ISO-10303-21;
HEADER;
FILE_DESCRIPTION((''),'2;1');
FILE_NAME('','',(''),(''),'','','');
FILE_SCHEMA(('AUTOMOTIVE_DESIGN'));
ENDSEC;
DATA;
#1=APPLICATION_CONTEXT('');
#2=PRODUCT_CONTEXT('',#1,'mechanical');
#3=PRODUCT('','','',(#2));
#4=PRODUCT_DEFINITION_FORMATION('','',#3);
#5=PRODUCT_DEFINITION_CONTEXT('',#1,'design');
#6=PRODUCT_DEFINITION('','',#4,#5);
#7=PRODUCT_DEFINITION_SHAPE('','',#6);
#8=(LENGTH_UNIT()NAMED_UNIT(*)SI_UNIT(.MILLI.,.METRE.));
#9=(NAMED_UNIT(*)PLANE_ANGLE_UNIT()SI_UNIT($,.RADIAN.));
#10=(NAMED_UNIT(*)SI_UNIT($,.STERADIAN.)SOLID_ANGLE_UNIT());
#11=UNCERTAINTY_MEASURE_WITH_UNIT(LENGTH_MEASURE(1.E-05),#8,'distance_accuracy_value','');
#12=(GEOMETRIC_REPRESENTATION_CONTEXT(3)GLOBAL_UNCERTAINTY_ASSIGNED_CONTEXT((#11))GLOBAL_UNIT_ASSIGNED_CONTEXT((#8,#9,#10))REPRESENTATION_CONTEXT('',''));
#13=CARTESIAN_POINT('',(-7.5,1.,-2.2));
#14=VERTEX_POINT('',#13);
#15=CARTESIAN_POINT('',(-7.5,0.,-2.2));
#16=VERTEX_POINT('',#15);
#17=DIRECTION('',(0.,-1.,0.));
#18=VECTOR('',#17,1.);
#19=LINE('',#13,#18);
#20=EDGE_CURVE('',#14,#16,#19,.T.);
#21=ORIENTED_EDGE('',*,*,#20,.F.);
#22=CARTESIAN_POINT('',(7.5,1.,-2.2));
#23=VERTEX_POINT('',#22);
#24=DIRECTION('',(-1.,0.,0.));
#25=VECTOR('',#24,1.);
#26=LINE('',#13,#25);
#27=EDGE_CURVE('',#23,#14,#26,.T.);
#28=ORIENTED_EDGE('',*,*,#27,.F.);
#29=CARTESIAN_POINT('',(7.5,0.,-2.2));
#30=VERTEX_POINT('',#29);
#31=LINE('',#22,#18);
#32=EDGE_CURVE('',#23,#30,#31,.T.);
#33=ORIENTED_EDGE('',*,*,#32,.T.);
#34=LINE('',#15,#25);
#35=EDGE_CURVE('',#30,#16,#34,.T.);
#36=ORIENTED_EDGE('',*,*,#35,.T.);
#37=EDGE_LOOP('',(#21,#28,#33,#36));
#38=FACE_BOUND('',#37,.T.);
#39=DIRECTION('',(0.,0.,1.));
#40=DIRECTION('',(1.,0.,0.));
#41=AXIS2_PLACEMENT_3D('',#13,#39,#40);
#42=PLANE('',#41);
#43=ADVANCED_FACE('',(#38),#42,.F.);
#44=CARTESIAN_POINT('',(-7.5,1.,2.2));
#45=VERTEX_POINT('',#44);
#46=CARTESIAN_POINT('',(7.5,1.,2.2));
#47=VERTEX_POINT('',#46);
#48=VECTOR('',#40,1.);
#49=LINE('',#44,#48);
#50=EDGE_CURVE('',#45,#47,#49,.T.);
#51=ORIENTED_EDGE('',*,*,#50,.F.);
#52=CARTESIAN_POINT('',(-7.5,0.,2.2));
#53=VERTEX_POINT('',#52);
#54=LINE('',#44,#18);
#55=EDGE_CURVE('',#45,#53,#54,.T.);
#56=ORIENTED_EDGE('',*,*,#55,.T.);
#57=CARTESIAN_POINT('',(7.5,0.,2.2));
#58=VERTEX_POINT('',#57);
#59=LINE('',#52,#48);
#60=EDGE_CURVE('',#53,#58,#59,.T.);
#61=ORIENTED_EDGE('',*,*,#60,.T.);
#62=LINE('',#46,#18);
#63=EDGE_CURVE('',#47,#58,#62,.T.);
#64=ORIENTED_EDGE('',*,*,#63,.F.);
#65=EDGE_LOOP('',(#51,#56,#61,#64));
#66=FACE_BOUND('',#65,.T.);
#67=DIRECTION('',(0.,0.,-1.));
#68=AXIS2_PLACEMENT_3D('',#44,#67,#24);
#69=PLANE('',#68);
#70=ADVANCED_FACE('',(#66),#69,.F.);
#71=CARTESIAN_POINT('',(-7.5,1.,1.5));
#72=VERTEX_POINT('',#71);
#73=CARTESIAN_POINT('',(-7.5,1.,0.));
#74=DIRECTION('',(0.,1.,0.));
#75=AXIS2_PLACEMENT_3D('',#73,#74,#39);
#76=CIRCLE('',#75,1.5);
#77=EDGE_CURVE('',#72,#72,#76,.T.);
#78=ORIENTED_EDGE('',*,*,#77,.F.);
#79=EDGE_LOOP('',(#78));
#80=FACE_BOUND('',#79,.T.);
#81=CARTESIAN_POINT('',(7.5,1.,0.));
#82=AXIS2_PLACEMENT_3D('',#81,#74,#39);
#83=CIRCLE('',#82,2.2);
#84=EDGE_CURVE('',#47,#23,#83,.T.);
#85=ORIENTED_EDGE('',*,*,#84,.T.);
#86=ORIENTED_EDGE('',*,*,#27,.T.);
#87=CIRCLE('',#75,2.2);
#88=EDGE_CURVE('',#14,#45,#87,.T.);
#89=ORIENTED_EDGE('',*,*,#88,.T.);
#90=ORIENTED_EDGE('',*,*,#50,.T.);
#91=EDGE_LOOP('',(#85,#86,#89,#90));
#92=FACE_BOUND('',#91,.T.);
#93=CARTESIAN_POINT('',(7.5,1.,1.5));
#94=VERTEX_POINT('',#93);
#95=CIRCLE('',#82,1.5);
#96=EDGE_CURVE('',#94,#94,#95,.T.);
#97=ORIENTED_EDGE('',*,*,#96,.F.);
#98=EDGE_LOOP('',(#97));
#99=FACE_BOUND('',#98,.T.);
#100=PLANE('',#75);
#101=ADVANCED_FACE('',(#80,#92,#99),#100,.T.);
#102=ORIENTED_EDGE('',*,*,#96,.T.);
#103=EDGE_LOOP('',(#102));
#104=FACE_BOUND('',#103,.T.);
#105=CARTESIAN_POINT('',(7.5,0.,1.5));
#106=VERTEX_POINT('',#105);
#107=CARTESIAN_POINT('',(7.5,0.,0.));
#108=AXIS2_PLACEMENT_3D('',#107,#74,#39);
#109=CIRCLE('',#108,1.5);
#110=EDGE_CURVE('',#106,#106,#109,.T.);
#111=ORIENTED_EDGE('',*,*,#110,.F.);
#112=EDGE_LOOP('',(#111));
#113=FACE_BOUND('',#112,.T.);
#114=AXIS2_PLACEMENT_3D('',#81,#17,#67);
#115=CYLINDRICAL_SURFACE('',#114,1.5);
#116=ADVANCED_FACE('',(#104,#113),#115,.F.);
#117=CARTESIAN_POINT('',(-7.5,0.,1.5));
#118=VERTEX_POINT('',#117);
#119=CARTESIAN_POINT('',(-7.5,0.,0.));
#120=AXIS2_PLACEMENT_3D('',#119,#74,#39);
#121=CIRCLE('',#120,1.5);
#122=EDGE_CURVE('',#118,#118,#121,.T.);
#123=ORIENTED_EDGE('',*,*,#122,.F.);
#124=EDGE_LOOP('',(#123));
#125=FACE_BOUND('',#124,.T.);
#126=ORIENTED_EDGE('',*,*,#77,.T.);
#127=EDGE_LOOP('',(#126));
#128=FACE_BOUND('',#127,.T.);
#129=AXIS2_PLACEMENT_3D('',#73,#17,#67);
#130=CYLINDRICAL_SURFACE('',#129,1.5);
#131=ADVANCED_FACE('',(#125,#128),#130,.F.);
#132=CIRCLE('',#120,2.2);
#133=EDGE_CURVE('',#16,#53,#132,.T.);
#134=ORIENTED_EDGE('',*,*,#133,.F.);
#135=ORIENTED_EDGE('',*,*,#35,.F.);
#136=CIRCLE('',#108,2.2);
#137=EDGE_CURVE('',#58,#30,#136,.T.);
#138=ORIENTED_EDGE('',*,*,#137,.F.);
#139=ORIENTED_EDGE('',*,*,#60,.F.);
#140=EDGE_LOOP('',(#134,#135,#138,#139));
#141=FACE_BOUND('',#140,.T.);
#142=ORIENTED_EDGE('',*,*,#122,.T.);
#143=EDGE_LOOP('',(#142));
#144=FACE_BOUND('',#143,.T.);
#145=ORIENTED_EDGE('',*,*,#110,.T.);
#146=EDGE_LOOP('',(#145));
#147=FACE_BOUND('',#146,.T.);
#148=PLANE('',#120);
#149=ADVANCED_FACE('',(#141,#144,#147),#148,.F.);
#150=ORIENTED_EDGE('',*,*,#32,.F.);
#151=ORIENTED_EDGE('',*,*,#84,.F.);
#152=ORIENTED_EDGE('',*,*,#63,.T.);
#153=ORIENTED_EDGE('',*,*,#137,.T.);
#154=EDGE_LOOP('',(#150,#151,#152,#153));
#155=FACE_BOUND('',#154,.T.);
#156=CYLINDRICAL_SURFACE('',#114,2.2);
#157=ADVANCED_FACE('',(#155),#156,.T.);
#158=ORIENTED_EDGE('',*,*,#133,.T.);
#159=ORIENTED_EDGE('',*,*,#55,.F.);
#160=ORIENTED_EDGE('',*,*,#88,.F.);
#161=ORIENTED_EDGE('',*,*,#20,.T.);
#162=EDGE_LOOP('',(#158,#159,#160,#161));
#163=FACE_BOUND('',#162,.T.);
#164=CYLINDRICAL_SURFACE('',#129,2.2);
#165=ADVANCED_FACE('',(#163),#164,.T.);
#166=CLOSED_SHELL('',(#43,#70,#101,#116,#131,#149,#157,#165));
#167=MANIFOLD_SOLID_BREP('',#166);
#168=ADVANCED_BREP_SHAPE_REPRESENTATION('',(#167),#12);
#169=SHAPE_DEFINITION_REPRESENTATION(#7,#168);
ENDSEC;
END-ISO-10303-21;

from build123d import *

# Parameters (mm, degrees)
ESQUISSE1_R        = 1.5
BOSS_EXTRU_1_DEPTH = 1


with BuildPart() as part:
    # Esquisse1 → Boss.-Extru.1 (new body)
    with BuildSketch(Plane(origin=(0, 0, 0), x_dir=(1, 0, 0), z_dir=(0, 1, 0))):
        with BuildLine():
            Line((-7.5, 2.2), (7.5, 2.2))
            ThreePointArc((7.5, 2.2), (9.7, 0), (7.5, -2.2))
            Line((7.5, -2.2), (-7.5, -2.2))
            ThreePointArc((-7.5, -2.2), (-9.7, 0), (-7.5, 2.2))
        make_face()
        with Locations(Location((-7.5, 0, 0), (0, 0, 270))):
            Circle(ESQUISSE1_R, mode=Mode.SUBTRACT)
        with Locations(Location((7.5, 0, 0), (0, 0, 270))):
            Circle(ESQUISSE1_R, mode=Mode.SUBTRACT)
    extrude(amount=BOSS_EXTRU_1_DEPTH)


solid = part.part
